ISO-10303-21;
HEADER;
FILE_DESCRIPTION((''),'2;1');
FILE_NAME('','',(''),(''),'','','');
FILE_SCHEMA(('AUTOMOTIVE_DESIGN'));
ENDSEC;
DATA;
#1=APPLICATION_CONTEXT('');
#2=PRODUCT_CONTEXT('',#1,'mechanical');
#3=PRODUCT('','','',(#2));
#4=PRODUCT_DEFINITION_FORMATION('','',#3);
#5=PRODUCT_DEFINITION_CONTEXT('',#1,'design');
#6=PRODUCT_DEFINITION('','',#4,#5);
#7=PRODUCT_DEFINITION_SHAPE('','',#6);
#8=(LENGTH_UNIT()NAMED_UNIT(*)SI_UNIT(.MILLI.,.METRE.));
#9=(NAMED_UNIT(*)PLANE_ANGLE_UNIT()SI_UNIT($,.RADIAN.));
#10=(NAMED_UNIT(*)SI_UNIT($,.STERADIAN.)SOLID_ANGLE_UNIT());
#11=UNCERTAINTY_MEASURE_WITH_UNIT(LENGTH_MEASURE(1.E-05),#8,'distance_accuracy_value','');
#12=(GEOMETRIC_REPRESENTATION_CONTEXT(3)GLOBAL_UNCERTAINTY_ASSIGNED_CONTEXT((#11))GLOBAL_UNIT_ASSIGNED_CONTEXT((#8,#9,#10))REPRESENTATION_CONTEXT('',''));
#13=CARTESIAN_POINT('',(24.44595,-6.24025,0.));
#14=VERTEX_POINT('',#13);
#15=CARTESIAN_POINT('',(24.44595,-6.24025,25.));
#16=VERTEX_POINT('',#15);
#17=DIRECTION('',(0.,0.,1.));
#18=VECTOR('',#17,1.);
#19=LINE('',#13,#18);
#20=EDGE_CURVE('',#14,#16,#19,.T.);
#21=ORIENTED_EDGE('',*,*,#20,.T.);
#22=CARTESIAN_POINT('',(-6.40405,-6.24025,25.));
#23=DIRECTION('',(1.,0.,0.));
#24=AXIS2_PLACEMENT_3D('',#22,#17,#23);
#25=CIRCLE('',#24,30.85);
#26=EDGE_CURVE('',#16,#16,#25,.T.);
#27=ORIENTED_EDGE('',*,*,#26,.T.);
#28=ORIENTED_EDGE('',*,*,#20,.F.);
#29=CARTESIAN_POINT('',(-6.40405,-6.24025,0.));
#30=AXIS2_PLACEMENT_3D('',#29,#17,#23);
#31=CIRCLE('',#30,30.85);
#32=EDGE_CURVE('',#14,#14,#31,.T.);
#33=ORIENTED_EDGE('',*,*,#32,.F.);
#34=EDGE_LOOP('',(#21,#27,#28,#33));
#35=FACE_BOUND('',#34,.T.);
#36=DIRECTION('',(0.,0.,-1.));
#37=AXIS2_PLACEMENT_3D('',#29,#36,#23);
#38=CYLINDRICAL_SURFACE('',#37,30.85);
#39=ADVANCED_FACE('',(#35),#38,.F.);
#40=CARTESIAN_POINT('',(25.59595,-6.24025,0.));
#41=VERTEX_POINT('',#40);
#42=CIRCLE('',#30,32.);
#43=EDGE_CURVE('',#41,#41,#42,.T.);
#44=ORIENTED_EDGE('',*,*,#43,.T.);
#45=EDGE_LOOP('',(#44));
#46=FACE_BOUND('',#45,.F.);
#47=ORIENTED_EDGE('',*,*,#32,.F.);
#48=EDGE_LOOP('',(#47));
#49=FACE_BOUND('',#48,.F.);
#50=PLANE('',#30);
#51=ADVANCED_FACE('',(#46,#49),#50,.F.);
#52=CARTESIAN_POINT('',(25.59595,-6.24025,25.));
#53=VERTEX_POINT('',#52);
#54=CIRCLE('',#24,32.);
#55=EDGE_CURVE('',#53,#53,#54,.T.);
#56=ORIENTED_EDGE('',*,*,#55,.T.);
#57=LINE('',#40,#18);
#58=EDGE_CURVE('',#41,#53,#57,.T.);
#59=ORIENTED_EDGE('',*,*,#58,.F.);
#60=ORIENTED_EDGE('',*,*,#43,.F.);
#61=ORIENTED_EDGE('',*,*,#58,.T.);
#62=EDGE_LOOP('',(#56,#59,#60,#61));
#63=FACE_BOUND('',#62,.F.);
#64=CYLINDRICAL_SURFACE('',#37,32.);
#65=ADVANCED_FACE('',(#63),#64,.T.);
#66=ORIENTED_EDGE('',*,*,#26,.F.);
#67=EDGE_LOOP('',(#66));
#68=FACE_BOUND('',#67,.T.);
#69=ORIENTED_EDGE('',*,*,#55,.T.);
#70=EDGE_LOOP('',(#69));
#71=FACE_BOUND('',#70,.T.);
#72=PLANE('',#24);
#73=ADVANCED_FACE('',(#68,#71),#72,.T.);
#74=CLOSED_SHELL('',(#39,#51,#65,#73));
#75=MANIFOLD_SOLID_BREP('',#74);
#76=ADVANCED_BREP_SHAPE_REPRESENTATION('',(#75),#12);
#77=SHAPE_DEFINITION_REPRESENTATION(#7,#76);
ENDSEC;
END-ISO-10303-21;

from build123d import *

# Parameters (mm, degrees)
F0_R     = 30.85
F0_R_2   = 32
F1_DEPTH = 25


with BuildPart() as f1:
    # F0 (on Top) → F1 (new body)
    with BuildSketch(Plane.XY):
        with Locations((-6.40405, -6.24025)):
            Circle(F0_R)
        Polygon((3.58375, -15.91565), (7.64255, -19.62725), (10.34195, -16.67535), (12.70345, -18.83485), (10.00405, -21.78665), (10.96345, -22.66395), (14.33765, -18.97415), (17.43705, -21.80845), (11.22865, -28.59775), (0.74945, -19.01515), align=None, mode=Mode.SUBTRACT)
        Polygon((21.10335, -12.34145), (19.89105, -16.36275), (6.29545, -12.26385), (7.50785, -8.24255), align=None, mode=Mode.SUBTRACT)
        Polygon((-9.52105, 11.52005), (-5.32785, 11.75935), (-5.09945, 7.75685), (-9.29265, 7.51755), align=None, mode=Mode.SUBTRACT)
        Polygon((-10.10165, 21.69445), (-5.90845, 21.93375), (-5.39515, 12.93935), (-9.58835, 12.70005), align=None, mode=Mode.SUBTRACT)
        Polygon((14.31355, -2.17865), (8.57655, -7.66495), (7.26115, -3.40365), (9.39465, -1.36345), (6.48235, -0.88075), (5.16695, 3.38045), (12.99815, 2.08255), (18.73525, 7.56875), (20.05065, 3.30755), (17.91715, 1.26735), (20.82945, 0.78465), (22.14475, -3.47665), align=None, mode=Mode.SUBTRACT)
        Polygon((-1.94305, 11.89445), (2.46845, 9.54095), (3.08035, 10.68795), (0.43345, 12.10005), (1.93975, 14.92345), (4.58665, 13.51135), (5.19855, 14.65835), (0.78705, 17.01175), (2.76395, 20.71745), (10.88105, 16.38705), (4.19715, 3.85845), (-3.91995, 8.18885), align=None, mode=Mode.SUBTRACT)
        with Locations((-6.40405, -6.24025)):
            Circle(F0_R_2)
        with Locations((-6.40405, -6.24025)):
            Circle(F0_R, mode=Mode.SUBTRACT)
    extrude(amount=F1_DEPTH)


solid = f1.part
